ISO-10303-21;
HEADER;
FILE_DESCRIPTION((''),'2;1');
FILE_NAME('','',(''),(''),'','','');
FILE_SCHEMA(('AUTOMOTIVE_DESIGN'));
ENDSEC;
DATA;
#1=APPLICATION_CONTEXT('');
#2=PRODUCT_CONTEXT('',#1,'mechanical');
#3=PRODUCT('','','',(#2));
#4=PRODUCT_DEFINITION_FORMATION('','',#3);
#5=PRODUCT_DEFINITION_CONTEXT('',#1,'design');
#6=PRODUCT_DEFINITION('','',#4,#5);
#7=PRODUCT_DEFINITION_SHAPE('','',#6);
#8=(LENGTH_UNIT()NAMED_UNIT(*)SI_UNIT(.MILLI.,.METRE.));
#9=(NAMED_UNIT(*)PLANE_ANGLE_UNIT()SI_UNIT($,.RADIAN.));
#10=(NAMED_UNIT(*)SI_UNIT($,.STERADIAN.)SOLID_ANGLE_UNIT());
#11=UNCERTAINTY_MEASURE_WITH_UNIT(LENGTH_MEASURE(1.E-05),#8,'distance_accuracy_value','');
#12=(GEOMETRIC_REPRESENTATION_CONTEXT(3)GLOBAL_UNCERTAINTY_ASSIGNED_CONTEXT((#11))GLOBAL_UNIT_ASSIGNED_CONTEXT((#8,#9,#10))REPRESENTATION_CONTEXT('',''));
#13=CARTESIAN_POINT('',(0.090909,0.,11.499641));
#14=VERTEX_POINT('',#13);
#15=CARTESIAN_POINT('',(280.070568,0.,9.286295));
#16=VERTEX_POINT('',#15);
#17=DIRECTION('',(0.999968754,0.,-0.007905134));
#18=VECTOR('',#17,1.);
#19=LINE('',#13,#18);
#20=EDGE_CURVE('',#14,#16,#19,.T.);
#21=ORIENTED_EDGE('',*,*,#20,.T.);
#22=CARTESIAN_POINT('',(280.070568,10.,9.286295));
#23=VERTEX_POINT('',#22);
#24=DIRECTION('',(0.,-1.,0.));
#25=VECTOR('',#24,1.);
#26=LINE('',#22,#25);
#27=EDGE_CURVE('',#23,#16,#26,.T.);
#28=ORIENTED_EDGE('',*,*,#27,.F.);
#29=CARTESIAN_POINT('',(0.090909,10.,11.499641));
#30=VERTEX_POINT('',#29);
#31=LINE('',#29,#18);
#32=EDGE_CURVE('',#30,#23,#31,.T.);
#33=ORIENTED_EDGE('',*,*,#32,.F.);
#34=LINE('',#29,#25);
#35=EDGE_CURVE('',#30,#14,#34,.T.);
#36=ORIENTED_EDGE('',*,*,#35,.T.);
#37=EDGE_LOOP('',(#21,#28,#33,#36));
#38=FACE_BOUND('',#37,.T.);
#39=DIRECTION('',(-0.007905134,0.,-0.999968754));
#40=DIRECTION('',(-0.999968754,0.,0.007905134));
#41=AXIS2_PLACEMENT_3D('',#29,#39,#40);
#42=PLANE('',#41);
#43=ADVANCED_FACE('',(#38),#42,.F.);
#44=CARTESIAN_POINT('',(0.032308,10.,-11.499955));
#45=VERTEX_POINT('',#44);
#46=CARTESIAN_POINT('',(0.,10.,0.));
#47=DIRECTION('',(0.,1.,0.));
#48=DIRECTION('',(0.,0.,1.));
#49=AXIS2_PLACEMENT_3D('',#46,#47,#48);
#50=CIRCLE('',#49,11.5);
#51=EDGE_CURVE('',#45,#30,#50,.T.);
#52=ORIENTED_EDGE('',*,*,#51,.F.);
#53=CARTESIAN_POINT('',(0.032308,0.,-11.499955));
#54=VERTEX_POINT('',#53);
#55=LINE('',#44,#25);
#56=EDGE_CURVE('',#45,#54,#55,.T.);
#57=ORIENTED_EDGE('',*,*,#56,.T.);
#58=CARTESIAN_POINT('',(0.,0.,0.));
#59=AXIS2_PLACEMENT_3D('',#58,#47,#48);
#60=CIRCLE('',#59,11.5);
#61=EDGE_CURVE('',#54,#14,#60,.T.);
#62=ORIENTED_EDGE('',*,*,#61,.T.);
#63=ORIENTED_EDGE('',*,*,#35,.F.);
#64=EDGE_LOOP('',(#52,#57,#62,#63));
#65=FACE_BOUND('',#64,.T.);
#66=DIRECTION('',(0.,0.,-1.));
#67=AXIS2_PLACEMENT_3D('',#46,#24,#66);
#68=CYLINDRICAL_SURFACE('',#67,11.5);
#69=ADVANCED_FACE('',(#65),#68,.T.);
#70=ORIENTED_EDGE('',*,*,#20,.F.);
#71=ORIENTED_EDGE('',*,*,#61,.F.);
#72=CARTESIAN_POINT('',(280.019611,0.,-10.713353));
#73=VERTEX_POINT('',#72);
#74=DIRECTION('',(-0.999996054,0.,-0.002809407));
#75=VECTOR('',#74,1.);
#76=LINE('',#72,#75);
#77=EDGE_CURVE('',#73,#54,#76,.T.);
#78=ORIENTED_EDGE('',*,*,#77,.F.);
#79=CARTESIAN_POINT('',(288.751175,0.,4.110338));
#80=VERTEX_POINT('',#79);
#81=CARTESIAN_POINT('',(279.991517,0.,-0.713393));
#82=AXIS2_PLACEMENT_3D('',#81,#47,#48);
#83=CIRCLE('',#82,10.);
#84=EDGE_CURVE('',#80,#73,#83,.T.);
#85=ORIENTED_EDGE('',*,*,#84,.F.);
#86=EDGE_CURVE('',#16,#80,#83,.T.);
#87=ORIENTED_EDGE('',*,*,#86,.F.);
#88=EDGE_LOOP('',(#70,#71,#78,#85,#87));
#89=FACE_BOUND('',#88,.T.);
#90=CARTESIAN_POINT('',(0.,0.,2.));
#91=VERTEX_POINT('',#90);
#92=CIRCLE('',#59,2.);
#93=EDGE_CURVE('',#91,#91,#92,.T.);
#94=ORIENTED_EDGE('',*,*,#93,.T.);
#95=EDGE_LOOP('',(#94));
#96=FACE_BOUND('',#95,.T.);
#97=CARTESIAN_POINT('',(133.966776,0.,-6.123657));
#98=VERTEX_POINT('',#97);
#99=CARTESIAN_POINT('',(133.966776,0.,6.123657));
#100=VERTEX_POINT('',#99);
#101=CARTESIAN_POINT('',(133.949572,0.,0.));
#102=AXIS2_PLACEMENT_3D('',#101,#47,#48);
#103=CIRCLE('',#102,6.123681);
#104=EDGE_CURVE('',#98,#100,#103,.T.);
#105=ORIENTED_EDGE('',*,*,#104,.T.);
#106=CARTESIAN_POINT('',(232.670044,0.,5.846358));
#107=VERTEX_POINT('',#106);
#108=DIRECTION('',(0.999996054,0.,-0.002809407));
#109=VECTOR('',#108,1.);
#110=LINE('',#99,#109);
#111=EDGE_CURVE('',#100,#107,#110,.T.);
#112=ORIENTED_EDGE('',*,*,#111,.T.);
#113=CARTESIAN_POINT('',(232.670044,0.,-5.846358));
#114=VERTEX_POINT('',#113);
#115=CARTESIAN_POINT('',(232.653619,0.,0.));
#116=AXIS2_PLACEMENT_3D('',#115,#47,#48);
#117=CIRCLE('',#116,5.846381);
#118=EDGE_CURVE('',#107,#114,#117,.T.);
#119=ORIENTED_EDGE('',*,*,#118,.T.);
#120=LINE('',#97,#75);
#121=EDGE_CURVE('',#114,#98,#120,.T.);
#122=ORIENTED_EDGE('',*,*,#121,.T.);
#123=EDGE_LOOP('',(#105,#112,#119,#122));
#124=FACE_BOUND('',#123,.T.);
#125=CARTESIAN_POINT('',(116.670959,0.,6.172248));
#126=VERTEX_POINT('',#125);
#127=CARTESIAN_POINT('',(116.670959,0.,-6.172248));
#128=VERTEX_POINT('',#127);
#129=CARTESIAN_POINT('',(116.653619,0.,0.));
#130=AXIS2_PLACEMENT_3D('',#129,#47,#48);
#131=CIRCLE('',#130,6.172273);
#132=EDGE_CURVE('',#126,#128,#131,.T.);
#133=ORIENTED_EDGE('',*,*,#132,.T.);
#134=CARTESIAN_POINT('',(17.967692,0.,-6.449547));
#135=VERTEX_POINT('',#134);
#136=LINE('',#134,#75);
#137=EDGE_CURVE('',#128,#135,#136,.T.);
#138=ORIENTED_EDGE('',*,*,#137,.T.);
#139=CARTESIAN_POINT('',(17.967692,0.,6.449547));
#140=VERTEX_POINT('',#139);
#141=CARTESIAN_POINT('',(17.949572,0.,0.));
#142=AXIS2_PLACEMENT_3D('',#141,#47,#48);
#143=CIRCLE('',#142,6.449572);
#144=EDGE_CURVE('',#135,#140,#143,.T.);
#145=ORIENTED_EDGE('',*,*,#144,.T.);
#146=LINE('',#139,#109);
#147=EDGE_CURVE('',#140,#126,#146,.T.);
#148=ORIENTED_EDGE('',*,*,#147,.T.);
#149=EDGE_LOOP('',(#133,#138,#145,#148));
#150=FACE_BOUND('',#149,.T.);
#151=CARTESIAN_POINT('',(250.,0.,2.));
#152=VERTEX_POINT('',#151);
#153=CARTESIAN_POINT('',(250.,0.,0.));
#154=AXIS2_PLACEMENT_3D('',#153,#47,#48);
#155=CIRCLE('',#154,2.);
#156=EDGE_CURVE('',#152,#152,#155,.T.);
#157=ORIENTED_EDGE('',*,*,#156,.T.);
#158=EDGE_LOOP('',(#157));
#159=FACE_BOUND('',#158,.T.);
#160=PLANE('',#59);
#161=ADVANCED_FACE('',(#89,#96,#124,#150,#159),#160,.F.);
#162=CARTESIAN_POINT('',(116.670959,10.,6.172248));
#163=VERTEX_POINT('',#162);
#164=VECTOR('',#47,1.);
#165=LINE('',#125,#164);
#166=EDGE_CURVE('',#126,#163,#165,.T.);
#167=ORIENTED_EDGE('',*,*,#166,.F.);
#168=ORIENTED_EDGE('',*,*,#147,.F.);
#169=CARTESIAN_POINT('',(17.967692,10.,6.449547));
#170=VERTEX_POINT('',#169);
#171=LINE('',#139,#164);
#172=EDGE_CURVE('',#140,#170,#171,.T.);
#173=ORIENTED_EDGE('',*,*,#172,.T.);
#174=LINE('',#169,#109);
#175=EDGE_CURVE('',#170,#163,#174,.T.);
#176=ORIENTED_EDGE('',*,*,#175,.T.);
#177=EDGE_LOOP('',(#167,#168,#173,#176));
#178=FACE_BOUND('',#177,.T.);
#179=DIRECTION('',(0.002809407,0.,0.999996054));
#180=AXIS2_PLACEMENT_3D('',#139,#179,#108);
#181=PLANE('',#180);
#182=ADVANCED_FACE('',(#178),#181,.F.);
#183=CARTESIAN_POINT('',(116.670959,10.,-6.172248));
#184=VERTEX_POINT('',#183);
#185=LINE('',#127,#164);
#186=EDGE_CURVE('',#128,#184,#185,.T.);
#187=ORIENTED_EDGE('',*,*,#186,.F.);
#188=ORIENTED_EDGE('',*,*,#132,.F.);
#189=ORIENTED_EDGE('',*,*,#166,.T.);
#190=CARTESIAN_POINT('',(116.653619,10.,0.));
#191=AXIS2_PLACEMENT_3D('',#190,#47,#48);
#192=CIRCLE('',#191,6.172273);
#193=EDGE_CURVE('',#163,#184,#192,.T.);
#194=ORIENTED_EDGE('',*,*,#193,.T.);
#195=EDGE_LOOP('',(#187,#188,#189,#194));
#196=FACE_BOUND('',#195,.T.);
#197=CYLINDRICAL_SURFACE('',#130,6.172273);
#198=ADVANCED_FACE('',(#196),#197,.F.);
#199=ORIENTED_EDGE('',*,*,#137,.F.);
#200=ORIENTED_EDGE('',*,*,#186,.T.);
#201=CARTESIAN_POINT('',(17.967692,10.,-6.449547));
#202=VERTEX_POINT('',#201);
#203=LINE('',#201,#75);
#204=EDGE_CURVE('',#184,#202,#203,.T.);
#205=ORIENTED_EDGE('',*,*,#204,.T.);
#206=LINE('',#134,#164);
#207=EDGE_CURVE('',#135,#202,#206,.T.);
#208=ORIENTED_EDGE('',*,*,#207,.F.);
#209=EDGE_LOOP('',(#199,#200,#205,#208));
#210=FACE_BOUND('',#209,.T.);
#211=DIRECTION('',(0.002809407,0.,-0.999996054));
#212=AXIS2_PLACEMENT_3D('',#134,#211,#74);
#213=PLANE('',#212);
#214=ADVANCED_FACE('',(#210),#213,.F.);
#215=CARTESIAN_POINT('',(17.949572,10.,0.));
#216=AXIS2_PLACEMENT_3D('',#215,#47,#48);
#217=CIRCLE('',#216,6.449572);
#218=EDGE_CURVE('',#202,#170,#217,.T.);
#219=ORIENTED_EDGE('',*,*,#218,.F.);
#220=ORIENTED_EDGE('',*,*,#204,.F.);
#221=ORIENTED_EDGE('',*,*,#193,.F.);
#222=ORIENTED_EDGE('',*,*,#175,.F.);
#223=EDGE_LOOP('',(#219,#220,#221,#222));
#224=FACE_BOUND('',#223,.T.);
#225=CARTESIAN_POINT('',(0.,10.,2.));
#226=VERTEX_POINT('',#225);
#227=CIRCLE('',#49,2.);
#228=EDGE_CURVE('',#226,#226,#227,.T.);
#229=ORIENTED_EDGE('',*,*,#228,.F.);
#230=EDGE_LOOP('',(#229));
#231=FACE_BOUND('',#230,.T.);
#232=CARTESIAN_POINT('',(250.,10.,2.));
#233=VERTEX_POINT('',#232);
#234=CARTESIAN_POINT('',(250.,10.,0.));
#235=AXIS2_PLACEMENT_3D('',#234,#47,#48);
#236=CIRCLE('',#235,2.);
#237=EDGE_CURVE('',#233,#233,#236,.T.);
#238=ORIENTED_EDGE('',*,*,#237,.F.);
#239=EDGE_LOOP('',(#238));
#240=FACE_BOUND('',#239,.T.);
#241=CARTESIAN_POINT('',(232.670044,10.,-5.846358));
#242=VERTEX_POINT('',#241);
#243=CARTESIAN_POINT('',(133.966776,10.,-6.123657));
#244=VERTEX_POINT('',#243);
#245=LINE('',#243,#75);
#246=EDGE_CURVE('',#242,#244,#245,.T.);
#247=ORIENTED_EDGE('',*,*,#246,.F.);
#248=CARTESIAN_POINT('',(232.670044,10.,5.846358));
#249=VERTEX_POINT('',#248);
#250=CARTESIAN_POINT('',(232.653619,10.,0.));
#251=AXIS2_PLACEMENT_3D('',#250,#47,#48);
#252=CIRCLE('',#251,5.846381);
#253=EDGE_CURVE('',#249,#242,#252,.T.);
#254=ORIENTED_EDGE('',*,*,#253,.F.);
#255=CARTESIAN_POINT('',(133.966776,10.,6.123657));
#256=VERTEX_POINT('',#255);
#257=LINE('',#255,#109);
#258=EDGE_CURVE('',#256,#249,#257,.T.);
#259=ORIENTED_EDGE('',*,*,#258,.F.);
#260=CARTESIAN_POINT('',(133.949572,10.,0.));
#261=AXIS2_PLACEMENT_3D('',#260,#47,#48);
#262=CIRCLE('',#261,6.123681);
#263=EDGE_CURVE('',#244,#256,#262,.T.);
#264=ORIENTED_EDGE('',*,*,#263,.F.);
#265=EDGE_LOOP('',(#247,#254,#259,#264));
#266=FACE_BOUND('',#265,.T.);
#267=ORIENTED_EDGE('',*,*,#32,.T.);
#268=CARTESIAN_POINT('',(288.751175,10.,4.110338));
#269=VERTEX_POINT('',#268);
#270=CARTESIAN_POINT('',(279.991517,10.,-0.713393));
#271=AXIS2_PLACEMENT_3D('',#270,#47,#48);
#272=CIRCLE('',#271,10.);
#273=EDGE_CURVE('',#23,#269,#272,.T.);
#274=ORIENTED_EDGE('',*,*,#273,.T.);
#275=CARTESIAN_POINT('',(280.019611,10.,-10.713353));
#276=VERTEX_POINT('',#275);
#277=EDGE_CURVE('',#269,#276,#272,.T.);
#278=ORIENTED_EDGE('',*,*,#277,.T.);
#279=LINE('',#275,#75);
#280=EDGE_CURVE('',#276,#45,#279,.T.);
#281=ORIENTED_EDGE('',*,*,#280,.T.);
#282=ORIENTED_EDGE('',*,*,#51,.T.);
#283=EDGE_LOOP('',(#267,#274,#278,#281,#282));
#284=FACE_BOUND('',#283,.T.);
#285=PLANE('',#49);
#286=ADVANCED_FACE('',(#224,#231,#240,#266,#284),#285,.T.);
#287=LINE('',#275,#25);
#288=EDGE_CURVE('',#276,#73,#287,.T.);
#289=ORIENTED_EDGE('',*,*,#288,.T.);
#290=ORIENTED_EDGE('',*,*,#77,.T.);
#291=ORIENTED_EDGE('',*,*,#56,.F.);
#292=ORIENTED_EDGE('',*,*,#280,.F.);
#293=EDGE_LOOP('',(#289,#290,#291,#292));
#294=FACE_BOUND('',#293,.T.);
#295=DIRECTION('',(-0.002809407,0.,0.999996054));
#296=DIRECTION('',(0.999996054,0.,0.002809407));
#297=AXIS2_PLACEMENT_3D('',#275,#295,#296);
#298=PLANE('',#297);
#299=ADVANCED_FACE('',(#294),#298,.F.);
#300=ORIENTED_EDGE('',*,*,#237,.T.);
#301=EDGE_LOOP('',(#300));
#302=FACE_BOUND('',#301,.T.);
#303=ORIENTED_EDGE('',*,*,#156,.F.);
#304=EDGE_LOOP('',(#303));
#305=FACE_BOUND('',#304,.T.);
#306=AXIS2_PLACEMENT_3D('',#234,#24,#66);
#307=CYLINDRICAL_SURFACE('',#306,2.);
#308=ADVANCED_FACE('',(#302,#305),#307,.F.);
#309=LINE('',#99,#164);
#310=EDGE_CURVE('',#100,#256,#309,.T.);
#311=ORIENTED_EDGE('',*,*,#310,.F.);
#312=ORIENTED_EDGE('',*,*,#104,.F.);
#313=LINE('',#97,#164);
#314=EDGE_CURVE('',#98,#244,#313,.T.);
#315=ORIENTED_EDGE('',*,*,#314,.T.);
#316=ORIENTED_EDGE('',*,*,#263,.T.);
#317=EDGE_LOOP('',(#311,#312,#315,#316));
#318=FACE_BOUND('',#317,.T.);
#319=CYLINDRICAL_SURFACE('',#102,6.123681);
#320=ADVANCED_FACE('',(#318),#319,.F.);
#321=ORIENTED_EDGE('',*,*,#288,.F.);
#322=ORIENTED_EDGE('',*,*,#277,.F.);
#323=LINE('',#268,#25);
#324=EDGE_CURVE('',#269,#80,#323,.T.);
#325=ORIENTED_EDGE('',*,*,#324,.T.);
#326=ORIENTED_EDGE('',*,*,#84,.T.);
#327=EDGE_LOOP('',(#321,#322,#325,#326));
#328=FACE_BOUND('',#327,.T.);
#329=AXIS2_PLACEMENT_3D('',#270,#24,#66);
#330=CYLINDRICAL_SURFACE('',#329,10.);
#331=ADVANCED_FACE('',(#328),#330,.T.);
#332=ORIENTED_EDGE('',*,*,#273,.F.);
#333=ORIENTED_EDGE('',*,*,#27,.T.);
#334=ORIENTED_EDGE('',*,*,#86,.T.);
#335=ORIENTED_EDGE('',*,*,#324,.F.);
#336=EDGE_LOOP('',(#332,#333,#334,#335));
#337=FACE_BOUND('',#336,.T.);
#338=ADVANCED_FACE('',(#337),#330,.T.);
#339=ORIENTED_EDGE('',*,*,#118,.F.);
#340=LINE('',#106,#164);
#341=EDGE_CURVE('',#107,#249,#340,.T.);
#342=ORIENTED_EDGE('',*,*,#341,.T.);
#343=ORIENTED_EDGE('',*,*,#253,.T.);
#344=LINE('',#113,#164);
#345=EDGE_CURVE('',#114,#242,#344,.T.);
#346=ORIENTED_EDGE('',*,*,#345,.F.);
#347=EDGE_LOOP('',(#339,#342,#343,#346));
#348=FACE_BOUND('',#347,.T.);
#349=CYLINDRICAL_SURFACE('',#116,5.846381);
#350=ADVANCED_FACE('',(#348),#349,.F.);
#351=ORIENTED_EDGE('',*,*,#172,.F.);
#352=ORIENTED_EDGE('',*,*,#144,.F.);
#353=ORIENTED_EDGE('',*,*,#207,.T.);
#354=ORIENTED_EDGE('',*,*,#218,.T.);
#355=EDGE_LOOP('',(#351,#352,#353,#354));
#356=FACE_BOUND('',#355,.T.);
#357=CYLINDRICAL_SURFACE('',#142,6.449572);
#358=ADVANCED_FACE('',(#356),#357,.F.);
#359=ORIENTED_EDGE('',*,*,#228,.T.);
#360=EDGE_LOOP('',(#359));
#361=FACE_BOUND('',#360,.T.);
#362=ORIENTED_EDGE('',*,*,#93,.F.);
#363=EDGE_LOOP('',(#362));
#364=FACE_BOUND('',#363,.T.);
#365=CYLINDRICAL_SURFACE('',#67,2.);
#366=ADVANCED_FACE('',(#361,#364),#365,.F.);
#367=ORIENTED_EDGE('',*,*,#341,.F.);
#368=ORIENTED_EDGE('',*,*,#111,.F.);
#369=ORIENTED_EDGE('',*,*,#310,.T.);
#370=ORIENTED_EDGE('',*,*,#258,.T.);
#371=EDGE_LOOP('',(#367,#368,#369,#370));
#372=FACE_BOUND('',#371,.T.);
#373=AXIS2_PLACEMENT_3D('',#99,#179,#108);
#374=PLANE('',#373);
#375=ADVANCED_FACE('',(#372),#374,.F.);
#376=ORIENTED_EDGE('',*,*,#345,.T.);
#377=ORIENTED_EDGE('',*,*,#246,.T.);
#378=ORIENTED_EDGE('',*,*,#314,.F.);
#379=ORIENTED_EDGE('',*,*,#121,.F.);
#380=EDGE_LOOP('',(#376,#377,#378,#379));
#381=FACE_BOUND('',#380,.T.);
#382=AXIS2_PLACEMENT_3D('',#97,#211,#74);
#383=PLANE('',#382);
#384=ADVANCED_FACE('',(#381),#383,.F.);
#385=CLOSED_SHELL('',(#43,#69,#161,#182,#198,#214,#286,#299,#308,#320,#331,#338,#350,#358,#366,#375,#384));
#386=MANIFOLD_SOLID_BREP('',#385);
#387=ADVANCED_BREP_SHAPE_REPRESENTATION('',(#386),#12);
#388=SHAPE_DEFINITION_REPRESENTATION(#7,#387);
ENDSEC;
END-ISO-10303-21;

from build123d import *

# Parameters (mm, degrees)
SKETCH1_R           = 2
BOSS_EXTRUDE1_DEPTH = 10
CUT_EXTRUDE1_DEPTH  = 11


with BuildPart() as part:
    # Sketch1 → Boss-Extrude1 (new body)
    with BuildSketch(Plane(origin=(0, 0, 0), x_dir=(1, 0, 0), z_dir=(0, 1, 0))):
        with BuildLine():
            Line((0.090909042, -11.49964067), (280.070567987, -9.286294776))
            ThreePointArc((280.070567987, -9.286294776), (289.991484188, 0.738871766), (280.019610714, 10.7133533))
            Line((280.019610714, 10.7133533), (0.032308177, 11.499954617))
            ThreePointArc((0.032308177, 11.499954617), (-11.499962672, -0.029300853), (0.090909042, -11.49964067))
        make_face()
        with Locations((250, 0)):
            Circle(SKETCH1_R, mode=Mode.SUBTRACT)
        Circle(SKETCH1_R, mode=Mode.SUBTRACT)
    extrude(amount=BOSS_EXTRUDE1_DEPTH)

    # Sketch2 → Cut-Extrude1 (cut, through all)
    with BuildSketch(Plane(origin=(0, 10, 0), x_dir=(1, 0, 0), z_dir=(0, 1, 0))):
        with BuildLine():
            Line((17.967691823, 6.449546898), (116.670959066, 6.17224818))
            ThreePointArc((116.670959066, 6.17224818), (122.825891181, 0), (116.670959066, -6.17224818))
            Line((116.670959066, -6.17224818), (17.967691823, -6.449546898))
            ThreePointArc((17.967691823, -6.449546898), (11.5, 0), (17.967691823, 6.449546898))
        make_face()
        with BuildLine():
            Line((133.966776262, 6.123657003), (232.670043506, 5.846358285))
            ThreePointArc((232.670043506, 5.846358285), (238.5, 0), (232.670043506, -5.846358285))
            Line((232.670043506, -5.846358285), (133.966776262, -6.123657003))
            ThreePointArc((133.966776262, -6.123657003), (127.825891181, 0), (133.966776262, 6.123657003))
        make_face()
    extrude(amount=-CUT_EXTRUDE1_DEPTH, mode=Mode.SUBTRACT)


solid = part.part
